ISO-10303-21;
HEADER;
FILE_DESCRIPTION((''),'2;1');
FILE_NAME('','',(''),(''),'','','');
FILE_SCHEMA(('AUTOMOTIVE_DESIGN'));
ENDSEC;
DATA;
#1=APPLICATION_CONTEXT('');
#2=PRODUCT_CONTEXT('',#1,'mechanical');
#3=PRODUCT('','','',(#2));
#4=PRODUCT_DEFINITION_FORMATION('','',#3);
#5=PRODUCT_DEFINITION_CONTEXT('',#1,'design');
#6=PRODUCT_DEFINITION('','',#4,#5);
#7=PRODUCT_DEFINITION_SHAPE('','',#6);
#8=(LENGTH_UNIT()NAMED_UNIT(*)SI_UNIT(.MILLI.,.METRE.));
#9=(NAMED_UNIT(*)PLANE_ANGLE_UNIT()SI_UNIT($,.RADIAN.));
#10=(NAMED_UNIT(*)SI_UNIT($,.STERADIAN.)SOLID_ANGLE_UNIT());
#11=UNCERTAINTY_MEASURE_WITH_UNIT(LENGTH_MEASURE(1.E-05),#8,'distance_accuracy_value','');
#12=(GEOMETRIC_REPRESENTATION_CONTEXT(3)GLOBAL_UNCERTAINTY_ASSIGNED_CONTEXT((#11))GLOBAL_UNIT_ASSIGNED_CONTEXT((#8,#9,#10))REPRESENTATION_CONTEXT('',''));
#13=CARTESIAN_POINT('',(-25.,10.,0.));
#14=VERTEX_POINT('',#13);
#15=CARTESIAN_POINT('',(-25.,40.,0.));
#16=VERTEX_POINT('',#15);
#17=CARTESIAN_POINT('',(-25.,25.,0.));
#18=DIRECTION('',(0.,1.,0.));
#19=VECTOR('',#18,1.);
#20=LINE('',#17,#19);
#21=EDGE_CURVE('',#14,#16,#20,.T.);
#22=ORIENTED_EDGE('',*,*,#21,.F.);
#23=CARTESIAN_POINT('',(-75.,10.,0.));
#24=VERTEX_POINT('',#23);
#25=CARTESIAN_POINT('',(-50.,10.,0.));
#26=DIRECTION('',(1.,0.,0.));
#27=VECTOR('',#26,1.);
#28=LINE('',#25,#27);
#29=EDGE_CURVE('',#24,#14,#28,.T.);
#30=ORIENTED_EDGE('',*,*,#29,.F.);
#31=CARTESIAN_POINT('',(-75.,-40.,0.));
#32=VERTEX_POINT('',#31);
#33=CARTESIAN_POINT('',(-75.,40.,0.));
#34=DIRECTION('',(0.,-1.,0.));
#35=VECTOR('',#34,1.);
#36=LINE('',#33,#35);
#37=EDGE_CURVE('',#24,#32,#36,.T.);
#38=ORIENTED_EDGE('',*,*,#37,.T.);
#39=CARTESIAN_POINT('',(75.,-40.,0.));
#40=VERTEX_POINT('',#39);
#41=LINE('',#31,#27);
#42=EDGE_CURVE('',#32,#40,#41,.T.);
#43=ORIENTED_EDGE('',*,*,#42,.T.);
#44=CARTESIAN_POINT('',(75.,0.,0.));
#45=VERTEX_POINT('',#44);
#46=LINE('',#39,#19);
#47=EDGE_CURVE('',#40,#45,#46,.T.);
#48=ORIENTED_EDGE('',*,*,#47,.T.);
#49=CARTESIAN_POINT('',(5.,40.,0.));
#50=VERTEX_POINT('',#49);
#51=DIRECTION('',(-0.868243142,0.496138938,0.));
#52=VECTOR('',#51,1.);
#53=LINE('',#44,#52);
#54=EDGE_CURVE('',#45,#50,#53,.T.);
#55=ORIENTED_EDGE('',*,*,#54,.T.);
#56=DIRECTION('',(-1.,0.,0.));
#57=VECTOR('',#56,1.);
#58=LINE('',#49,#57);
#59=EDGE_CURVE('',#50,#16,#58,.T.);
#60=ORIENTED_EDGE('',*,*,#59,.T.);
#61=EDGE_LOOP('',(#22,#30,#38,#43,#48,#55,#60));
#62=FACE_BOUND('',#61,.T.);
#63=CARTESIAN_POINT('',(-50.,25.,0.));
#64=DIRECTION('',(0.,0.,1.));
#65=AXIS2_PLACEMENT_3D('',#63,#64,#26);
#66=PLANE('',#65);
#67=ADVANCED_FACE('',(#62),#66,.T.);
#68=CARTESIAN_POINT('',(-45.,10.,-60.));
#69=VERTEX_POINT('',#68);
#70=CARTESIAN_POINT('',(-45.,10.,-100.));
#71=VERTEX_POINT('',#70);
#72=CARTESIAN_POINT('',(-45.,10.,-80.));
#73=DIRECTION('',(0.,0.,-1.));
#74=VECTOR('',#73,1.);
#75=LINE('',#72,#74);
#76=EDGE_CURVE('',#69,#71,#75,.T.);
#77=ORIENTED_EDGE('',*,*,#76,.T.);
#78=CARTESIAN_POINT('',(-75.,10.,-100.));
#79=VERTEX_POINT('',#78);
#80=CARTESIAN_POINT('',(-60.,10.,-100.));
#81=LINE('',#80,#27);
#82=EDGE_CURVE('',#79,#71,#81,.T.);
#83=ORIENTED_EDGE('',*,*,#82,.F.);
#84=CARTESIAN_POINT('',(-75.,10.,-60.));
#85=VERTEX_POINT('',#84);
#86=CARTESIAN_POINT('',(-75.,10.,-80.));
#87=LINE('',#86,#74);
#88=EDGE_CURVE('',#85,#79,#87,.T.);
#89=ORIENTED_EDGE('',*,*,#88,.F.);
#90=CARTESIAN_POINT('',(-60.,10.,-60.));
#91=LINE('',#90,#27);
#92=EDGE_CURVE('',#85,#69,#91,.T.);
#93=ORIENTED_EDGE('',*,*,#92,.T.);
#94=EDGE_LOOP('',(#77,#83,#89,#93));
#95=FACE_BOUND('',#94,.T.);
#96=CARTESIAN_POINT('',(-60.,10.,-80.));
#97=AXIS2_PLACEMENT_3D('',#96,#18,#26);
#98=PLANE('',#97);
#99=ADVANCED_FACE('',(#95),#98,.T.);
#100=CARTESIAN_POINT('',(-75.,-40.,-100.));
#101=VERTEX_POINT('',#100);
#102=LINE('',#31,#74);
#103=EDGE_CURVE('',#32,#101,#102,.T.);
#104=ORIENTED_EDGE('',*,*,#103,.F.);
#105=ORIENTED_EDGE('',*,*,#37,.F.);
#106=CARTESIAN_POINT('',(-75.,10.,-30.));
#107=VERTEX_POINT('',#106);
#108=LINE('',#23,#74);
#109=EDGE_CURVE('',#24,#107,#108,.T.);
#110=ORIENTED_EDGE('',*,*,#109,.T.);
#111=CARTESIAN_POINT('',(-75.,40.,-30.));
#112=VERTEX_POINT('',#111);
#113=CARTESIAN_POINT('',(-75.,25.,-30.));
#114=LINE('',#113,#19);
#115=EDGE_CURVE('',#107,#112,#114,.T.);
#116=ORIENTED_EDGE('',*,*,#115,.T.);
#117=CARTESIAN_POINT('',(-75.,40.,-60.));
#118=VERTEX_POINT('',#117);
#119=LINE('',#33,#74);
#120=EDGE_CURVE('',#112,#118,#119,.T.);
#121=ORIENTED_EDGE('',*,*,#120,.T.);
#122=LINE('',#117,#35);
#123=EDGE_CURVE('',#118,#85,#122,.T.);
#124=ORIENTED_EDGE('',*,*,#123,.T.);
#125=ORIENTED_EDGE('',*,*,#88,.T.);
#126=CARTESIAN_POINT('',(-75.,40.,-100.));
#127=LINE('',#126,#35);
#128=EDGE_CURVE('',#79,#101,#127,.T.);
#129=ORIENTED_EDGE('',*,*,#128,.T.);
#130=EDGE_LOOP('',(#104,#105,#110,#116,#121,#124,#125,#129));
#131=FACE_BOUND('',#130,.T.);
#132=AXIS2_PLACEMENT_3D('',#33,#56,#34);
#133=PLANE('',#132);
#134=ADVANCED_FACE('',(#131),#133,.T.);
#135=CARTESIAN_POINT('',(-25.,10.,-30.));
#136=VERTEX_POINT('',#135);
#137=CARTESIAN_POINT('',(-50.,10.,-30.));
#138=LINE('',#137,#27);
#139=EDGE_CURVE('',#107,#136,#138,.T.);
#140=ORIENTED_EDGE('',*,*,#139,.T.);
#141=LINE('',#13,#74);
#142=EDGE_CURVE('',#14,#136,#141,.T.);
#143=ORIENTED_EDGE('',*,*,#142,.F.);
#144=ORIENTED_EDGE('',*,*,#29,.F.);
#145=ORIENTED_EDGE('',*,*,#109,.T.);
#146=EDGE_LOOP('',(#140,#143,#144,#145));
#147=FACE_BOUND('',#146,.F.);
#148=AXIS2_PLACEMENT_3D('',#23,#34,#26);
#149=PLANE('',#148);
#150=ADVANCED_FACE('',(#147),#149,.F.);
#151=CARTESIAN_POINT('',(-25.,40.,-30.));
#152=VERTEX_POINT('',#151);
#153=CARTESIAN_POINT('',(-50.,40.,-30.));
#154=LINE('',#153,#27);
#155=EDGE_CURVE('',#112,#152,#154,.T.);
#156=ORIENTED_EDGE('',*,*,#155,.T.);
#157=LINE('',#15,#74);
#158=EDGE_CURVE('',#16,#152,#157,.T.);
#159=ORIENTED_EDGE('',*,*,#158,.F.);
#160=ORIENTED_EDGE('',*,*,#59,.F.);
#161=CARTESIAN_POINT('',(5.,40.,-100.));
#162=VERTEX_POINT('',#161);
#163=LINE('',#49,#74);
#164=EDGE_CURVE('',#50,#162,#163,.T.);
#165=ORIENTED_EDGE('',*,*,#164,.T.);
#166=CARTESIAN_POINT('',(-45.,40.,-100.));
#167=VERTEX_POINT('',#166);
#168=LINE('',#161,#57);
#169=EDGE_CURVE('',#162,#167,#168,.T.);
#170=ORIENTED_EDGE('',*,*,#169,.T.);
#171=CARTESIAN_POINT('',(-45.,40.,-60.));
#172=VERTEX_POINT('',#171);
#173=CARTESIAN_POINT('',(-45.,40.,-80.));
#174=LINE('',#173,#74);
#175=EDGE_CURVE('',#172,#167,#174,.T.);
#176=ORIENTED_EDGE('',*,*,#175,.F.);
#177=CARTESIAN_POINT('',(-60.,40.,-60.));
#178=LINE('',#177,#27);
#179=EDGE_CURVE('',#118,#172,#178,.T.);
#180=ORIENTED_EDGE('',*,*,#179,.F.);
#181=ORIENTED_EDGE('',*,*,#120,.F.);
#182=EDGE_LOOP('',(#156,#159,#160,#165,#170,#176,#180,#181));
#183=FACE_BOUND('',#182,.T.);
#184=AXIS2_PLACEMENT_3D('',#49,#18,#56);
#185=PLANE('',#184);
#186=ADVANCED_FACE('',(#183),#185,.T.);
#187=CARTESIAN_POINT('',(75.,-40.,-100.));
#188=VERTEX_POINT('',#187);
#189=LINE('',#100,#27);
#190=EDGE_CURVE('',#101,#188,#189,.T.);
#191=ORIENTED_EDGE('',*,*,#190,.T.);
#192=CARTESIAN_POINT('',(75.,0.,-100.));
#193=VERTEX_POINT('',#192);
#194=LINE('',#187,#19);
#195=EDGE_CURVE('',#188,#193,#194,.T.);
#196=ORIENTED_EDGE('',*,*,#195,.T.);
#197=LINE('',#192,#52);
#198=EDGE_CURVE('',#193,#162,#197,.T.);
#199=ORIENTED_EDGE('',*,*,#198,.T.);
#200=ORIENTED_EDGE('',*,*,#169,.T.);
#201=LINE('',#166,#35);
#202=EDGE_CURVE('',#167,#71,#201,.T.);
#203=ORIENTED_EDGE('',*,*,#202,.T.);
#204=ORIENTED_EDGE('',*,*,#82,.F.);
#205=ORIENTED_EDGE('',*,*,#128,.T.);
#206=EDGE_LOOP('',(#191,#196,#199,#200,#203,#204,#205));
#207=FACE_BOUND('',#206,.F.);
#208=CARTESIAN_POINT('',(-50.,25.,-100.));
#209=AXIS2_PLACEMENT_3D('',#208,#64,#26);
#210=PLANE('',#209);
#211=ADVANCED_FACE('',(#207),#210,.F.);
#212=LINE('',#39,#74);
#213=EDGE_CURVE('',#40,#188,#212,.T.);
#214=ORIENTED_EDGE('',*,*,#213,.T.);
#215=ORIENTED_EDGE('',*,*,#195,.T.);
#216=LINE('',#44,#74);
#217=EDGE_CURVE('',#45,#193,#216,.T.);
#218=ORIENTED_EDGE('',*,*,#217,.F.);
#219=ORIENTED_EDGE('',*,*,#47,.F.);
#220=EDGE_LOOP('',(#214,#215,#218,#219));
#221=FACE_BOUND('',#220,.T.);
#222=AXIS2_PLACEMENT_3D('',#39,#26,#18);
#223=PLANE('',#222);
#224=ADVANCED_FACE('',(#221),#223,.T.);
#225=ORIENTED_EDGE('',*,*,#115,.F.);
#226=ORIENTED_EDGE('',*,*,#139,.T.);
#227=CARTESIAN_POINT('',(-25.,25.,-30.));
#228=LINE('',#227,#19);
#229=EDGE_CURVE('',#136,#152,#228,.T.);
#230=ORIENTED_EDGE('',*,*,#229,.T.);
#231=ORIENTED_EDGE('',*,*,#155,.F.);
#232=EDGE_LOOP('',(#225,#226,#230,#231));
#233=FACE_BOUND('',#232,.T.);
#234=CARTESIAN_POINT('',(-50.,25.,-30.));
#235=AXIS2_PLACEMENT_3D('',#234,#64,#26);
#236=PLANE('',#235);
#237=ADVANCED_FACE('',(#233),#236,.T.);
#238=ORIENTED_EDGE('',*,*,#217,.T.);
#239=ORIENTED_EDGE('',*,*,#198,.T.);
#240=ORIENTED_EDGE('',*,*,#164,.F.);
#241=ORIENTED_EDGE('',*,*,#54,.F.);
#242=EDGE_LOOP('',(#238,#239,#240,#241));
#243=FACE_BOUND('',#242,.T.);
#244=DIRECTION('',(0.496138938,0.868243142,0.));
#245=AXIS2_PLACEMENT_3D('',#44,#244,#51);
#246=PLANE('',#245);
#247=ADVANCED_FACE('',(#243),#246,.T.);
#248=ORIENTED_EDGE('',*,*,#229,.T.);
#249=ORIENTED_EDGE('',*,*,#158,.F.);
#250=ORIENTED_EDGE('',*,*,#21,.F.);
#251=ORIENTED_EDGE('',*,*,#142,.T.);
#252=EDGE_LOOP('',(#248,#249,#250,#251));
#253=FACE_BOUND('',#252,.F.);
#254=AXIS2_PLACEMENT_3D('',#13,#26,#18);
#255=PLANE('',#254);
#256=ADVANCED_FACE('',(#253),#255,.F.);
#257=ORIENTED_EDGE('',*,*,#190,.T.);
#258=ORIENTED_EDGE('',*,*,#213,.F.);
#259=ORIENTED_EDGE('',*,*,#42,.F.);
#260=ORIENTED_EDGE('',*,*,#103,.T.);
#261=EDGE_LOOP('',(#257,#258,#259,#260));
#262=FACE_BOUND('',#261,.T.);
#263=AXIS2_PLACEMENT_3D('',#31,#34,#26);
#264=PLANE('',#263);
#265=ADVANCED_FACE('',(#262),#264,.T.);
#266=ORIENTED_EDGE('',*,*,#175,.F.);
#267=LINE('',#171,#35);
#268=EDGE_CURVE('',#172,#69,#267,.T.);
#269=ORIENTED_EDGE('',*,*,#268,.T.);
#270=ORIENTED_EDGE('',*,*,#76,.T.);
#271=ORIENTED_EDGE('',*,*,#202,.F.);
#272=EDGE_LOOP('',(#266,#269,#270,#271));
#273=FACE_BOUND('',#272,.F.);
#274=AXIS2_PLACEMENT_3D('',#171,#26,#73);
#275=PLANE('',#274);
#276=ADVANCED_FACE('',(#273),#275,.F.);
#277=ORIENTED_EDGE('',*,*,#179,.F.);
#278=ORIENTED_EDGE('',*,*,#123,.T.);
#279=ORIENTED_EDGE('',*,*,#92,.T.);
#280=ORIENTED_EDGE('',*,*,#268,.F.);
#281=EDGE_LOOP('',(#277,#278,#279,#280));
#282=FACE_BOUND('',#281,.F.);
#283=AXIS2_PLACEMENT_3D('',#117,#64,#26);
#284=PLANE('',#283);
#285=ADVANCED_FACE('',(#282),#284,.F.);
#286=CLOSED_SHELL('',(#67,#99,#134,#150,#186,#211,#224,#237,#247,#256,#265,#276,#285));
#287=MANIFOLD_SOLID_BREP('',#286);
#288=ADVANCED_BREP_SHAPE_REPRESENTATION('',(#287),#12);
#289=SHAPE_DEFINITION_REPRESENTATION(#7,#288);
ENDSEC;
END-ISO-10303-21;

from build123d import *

# Parameters (mm, degrees)
BOSS_EXTRUDE1_DEPTH = 100
SKETCH1_3_W         = 50
SKETCH1_3_H         = 30
CUT_EXTRUDE1_DEPTH  = 30
SKETCH3_W           = 30
SKETCH3_H           = 40
CUT_EXTRUDE2_DEPTH  = 30


with BuildPart() as part:
    # Sketch1 → Boss-Extrude1 (new body)
    with BuildSketch(Plane.XY):
        Polygon((-75, 40), (-75, -40), (75, -40), (75, 0), (5, 40), align=None)
    extrude(amount=-BOSS_EXTRUDE1_DEPTH)

    # Sketch1<3> → Cut-Extrude1 (cut)
    with BuildSketch(Plane.XY):
        with Locations((-50, 25)):
            Rectangle(SKETCH1_3_W, SKETCH1_3_H)
    extrude(amount=-CUT_EXTRUDE1_DEPTH, mode=Mode.SUBTRACT)

    # Sketch3 → Cut-Extrude2 (cut)
    with BuildSketch(Plane(origin=(0, 40, 0), x_dir=(1, 0, 0), z_dir=(0, 1, 0))):
        with Locations((-60, 80)):
            Rectangle(SKETCH3_W, SKETCH3_H)
    extrude(amount=-CUT_EXTRUDE2_DEPTH, mode=Mode.SUBTRACT)


solid = part.part
